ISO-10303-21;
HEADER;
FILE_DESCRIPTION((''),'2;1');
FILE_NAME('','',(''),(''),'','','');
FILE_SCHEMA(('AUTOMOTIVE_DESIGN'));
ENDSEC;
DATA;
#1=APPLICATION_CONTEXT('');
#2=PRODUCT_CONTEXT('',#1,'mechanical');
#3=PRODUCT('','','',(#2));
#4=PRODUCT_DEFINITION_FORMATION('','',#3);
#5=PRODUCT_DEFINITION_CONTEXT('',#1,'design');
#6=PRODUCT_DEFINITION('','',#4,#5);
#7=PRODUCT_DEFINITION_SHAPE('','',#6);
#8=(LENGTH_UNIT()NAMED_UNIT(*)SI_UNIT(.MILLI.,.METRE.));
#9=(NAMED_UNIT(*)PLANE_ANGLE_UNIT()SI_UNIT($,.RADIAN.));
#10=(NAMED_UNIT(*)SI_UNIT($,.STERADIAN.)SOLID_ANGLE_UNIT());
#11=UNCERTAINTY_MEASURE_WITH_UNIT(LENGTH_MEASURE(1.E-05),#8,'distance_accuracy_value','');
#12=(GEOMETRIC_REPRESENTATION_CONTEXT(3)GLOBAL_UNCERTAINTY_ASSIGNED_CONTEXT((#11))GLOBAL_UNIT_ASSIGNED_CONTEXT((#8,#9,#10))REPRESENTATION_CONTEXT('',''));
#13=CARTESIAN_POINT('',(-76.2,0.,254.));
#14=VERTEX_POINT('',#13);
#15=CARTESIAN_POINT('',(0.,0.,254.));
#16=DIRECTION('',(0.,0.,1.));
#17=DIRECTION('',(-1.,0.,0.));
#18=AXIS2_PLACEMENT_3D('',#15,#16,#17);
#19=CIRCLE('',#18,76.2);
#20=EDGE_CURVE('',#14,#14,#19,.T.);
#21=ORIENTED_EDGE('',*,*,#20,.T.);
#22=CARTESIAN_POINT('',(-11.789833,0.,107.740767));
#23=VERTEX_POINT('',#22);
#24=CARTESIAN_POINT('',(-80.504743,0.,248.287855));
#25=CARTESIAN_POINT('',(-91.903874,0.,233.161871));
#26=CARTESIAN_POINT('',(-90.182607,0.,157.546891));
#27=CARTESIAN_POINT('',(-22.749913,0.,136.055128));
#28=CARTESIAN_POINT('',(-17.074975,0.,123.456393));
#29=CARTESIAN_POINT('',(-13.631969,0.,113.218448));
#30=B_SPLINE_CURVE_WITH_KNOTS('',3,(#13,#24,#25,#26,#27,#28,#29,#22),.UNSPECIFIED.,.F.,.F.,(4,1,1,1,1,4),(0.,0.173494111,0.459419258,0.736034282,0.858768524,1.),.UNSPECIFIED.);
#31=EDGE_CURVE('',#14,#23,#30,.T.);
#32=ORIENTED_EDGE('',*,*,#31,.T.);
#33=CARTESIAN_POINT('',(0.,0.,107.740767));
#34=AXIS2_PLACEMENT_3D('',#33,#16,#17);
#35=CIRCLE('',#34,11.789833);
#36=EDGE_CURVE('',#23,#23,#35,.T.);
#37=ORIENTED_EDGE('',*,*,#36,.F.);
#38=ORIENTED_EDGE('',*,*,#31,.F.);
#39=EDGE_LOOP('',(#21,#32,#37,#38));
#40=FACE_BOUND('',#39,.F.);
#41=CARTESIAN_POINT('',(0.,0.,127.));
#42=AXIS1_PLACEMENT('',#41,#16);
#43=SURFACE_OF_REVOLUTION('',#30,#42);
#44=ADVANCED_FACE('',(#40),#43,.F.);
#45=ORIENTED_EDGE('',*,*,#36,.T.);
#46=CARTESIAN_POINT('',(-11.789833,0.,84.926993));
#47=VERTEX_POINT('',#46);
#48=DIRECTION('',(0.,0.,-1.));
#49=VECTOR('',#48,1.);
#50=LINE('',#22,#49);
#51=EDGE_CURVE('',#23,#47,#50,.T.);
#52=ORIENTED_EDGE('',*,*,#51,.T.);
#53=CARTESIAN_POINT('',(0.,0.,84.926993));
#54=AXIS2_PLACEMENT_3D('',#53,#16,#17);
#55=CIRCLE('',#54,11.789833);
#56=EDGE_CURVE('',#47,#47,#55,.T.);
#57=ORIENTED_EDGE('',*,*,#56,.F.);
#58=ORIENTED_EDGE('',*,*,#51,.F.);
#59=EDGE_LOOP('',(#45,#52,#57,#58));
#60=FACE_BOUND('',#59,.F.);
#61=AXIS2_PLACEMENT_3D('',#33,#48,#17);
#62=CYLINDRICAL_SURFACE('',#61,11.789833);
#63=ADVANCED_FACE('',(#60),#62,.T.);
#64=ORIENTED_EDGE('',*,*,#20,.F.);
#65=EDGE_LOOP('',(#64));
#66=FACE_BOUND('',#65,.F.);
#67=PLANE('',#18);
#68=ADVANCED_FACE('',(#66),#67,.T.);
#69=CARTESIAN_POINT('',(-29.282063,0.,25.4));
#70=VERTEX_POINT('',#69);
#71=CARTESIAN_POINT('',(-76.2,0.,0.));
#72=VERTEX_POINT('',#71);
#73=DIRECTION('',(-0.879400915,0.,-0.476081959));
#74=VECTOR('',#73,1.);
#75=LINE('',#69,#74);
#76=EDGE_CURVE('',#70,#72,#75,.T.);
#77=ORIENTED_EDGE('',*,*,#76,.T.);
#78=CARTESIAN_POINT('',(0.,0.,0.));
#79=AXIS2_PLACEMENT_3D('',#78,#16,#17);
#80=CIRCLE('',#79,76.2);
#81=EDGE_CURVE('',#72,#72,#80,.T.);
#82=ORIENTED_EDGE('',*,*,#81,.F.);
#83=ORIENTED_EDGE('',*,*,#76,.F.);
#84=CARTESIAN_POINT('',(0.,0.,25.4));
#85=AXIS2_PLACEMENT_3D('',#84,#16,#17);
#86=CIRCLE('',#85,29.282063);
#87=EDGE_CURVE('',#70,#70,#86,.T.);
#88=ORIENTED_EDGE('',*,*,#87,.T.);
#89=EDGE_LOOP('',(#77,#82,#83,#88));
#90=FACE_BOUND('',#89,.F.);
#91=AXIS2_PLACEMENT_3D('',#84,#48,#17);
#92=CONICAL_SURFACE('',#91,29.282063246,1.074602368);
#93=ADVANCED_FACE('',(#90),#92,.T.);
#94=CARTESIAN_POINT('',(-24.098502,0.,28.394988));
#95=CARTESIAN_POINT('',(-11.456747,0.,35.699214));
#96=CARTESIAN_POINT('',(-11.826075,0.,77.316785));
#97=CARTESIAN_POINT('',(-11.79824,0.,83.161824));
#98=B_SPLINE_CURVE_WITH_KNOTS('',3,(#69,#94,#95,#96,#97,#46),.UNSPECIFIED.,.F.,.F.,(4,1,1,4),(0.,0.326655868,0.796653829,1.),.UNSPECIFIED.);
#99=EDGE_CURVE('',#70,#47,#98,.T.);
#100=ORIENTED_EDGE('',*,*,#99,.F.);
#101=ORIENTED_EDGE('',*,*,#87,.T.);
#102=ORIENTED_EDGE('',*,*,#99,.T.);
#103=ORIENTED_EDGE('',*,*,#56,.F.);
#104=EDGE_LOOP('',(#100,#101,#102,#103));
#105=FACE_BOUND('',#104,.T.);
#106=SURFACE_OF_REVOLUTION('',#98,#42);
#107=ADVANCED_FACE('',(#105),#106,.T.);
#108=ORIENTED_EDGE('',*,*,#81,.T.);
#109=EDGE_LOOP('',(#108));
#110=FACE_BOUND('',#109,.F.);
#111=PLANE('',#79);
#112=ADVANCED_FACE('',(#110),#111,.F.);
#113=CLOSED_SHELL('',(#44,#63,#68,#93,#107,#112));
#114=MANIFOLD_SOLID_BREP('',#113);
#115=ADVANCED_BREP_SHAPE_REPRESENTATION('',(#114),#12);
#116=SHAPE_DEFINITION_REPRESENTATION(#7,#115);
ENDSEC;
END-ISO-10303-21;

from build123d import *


with BuildPart() as f1:
    # F0 (on Front) → F1 (revolve)
    with BuildSketch(Plane.XZ):
        with BuildLine():
            Line((-76.2, 0), (0, 0))
            Line((0, 0), (0, 254))
            Line((0, 254), (-76.2, 254))
            add(Edge.make_bspline(
                [(-76.2, 254), (-80.5047434557, 248.2878554287), (-91.9038741087, 233.1618710471), (-90.1826067949, 157.5468911922), (-22.7499125713, 136.0551282658), (-17.0749751236, 123.456392668), (-13.6319693352, 113.2184482862), (-11.7898331955, 107.7407673001)],
                knots=[0, 0, 0, 0, 0.1734941114, 0.4594192578, 0.7360342818, 0.858768524, 1, 1, 1, 1], degree=3))
            Line((-11.7898331955, 107.7407673001), (-11.7898331955, 84.9269926548))
            add(Edge.make_bspline(
                [(-29.2820632458, 25.4), (-24.0985022668, 28.3949877746), (-11.4567465044, 35.6992143695), (-11.8260754889, 77.3167847288), (-11.7982395068, 83.161823542), (-11.7898331955, 84.9269926548)],
                knots=[0, 0, 0, 0, 0.3266558678, 0.7966538286, 1, 1, 1, 1], degree=3))
            Line((-29.2820632458, 25.4), (-76.2, 0))
        make_face()
    revolve(axis=Axis((0, 0, 127), (0, 0, 1)))


solid = f1.part
